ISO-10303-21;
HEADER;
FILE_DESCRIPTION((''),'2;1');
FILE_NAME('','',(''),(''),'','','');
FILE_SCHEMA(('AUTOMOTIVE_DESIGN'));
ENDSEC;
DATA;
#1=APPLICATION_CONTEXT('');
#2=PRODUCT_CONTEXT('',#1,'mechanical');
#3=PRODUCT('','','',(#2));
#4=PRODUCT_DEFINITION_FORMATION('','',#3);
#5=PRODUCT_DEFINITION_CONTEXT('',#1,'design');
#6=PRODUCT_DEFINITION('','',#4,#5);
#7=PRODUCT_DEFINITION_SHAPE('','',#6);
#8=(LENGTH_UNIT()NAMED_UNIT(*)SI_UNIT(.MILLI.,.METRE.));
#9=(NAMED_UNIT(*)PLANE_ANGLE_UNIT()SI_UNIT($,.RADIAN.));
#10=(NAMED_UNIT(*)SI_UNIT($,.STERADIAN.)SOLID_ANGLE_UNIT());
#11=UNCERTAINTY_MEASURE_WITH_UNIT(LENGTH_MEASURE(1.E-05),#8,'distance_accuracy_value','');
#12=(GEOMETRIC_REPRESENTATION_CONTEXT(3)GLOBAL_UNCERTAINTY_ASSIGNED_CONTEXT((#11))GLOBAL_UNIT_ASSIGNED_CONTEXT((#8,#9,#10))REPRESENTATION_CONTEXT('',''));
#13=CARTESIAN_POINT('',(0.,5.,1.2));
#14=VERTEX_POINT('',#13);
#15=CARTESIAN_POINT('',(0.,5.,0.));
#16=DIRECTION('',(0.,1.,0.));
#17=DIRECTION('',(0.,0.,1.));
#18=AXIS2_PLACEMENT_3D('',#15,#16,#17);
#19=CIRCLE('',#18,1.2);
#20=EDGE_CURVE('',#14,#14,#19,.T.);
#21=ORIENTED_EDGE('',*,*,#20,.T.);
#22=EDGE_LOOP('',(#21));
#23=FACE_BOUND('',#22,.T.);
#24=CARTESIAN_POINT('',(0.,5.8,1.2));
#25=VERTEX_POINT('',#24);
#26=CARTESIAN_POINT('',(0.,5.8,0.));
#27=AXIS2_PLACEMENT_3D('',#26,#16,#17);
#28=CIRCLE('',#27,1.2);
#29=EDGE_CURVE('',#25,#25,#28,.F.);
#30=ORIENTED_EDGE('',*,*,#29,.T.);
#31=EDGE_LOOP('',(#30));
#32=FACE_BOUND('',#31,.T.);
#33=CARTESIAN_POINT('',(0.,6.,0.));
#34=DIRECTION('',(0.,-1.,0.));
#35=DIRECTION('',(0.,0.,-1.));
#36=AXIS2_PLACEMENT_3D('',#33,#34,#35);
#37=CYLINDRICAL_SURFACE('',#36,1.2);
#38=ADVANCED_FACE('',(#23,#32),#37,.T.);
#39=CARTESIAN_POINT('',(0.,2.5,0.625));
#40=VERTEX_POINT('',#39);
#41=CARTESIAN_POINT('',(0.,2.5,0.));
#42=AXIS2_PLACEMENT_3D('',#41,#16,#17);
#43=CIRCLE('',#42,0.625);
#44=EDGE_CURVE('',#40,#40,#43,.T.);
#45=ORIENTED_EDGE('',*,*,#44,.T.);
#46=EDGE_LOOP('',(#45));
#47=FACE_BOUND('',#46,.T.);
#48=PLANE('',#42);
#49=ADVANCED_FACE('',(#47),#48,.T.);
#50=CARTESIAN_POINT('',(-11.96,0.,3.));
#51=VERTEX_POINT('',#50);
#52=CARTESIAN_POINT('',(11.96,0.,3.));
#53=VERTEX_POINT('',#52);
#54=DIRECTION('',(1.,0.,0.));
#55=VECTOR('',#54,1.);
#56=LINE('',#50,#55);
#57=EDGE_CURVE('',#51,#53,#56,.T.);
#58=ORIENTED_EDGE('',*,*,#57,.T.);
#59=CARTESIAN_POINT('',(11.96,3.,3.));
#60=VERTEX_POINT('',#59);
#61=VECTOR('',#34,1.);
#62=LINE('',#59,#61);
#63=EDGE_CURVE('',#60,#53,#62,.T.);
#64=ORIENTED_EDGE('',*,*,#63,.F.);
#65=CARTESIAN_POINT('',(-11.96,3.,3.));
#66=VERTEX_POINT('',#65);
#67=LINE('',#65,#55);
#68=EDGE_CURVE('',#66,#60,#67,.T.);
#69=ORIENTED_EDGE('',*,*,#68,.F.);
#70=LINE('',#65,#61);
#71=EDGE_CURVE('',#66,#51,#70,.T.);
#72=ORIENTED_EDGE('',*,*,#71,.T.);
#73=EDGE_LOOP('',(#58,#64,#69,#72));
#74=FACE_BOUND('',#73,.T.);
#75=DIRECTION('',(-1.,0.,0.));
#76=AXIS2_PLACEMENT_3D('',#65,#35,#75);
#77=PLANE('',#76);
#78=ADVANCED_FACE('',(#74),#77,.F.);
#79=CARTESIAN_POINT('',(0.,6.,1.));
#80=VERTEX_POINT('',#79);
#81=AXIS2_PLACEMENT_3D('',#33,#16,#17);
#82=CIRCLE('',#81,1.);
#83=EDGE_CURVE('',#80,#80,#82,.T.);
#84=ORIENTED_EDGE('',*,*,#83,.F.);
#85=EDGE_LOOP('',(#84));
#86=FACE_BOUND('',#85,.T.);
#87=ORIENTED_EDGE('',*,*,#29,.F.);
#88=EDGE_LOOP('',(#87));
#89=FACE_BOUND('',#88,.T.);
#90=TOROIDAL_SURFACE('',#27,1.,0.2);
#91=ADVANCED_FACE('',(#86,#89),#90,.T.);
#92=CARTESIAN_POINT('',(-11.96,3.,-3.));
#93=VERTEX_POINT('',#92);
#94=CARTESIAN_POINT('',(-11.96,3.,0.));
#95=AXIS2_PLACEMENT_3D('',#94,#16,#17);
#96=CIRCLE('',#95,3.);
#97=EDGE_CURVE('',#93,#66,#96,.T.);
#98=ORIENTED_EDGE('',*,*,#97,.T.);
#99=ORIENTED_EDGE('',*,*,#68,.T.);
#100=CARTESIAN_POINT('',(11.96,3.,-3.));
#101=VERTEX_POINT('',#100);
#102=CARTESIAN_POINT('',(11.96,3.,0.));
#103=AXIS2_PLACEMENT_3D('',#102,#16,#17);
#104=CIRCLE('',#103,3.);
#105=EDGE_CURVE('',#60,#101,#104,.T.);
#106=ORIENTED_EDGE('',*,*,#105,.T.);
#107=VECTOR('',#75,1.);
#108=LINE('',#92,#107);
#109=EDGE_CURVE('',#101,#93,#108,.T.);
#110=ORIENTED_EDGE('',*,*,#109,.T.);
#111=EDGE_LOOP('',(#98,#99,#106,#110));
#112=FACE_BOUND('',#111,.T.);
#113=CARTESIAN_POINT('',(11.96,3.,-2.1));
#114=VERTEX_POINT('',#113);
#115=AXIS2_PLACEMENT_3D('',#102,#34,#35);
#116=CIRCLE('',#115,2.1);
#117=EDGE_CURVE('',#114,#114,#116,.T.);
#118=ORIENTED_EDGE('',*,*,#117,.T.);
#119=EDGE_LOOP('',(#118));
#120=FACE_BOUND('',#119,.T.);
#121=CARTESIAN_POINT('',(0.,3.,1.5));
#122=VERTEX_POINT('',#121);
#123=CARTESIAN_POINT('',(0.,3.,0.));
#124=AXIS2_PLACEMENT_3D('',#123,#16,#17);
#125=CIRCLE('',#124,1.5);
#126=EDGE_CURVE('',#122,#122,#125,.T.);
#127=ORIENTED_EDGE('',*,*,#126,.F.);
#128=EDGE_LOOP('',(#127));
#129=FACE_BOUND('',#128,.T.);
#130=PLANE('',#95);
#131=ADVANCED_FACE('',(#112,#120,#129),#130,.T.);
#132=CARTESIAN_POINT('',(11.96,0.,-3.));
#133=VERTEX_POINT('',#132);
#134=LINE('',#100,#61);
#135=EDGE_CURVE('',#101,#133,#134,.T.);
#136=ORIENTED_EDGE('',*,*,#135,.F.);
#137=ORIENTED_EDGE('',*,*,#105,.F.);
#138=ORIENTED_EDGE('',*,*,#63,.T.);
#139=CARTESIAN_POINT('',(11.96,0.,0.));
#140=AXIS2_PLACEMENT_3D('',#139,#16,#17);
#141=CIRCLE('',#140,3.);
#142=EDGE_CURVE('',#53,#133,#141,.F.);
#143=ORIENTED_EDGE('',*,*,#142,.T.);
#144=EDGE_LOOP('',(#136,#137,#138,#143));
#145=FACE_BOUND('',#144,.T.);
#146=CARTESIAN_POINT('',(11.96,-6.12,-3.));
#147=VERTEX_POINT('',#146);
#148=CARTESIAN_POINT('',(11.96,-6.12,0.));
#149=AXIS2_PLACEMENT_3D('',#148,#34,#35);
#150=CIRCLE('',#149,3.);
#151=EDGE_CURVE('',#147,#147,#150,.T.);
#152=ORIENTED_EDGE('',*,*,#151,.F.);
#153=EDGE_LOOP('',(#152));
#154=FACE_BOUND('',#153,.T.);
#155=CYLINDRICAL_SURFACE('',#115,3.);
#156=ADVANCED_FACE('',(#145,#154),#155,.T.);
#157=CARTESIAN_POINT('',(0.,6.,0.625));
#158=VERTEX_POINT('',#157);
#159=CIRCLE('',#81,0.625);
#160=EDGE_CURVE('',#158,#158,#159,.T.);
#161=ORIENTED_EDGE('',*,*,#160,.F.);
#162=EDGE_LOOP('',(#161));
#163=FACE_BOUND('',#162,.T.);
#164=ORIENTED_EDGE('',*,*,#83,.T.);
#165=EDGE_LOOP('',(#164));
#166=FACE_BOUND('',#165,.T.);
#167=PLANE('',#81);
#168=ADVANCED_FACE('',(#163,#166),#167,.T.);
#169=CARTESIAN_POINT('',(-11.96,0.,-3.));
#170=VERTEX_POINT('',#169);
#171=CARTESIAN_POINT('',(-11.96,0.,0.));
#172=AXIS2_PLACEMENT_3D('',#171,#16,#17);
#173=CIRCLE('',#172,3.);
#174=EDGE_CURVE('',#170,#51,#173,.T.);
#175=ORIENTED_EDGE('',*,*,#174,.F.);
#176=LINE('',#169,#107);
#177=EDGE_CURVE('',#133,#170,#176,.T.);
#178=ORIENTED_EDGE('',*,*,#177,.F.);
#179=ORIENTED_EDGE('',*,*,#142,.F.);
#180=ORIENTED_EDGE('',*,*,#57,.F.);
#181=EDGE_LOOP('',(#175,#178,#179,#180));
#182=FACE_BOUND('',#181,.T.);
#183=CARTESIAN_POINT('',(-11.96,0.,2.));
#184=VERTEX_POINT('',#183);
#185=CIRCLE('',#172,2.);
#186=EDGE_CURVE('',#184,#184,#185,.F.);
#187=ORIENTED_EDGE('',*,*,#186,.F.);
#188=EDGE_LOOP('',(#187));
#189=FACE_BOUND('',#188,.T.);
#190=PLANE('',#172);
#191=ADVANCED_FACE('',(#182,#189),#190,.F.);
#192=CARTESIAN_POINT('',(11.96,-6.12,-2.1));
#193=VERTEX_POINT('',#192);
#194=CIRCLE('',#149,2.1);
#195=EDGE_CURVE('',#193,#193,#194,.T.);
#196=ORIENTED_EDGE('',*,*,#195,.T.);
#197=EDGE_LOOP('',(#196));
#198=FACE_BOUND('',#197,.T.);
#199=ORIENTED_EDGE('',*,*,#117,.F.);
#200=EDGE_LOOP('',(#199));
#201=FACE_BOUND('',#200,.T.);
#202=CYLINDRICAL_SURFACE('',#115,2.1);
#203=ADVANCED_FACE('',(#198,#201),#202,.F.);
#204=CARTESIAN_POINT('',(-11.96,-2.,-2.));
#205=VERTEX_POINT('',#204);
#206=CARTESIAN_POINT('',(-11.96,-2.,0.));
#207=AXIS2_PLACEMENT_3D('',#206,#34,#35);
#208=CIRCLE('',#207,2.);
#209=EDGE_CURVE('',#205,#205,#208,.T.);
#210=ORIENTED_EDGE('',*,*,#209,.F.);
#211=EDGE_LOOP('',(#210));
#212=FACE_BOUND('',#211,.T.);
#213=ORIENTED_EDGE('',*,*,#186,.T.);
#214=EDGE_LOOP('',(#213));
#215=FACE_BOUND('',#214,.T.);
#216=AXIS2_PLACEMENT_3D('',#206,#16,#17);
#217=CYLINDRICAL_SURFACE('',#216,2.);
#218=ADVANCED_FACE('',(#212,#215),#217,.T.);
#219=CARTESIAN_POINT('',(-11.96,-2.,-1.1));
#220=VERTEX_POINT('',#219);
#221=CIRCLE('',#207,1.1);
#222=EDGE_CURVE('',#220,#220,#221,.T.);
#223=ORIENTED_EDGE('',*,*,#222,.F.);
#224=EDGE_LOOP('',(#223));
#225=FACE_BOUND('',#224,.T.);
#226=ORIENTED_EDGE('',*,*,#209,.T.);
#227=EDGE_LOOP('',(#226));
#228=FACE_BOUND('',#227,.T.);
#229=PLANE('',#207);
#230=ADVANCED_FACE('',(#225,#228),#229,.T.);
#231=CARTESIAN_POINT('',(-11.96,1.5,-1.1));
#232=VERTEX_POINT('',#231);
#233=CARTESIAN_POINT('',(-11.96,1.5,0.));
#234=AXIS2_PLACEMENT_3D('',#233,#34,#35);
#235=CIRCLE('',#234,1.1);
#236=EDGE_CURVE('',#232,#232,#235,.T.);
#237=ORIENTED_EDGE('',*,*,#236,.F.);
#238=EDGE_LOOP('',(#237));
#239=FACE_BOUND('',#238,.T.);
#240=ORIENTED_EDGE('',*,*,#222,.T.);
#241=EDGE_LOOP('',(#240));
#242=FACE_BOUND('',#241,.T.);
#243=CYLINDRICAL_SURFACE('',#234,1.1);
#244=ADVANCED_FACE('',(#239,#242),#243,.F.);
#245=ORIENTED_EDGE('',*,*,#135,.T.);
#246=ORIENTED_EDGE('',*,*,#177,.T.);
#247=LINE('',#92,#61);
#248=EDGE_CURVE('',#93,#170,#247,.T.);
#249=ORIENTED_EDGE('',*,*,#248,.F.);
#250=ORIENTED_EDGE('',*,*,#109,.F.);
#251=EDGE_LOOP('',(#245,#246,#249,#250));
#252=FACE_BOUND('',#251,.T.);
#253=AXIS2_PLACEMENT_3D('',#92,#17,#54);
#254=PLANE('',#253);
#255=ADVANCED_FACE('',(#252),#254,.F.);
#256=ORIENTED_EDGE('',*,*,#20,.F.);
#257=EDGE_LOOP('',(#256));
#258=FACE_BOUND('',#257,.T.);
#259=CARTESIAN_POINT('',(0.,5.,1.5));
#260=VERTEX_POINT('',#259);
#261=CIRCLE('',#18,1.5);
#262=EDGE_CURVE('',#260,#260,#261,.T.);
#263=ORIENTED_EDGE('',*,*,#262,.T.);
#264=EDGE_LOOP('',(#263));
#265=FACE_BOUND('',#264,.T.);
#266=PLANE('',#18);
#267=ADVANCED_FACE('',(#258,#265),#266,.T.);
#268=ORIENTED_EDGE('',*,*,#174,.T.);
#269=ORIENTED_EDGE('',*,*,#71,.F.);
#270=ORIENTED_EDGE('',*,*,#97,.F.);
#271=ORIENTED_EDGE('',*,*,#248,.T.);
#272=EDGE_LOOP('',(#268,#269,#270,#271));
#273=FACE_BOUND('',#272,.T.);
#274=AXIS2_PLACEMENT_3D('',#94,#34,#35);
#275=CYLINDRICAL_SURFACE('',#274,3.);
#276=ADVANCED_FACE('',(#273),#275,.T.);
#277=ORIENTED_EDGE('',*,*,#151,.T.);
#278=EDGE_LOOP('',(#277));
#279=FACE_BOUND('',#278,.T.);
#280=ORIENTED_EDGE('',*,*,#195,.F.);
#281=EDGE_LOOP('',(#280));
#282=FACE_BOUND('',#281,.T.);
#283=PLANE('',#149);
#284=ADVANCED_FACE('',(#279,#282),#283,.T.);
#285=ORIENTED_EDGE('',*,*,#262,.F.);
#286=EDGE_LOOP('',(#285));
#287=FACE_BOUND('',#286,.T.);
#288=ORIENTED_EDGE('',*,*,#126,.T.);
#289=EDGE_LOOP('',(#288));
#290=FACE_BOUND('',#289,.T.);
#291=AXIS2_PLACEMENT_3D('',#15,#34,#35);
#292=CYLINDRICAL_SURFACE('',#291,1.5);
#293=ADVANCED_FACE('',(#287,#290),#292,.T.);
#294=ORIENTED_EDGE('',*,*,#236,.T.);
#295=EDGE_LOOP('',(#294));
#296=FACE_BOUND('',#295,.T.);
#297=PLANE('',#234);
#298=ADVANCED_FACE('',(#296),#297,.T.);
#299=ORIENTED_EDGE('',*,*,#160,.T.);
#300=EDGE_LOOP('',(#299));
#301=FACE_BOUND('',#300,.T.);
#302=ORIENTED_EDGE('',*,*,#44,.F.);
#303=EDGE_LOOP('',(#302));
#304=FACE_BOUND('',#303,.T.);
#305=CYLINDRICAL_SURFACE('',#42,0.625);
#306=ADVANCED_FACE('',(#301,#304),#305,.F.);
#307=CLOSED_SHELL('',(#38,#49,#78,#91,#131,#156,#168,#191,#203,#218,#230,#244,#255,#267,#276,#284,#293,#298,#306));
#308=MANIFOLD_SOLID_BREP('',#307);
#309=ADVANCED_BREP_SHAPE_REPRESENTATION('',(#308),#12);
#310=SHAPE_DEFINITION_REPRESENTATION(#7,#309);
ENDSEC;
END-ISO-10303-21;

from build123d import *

# Parameters (mm, degrees)
BOSS_EXTRUDE1_DEPTH = 3
SKETCH2_R           = 2
BOSS_EXTRUDE2_DEPTH = 2
SKETCH3_R           = 1.1
CUT_EXTRUDE1_DEPTH  = 3.5
SKETCH4_R           = 3
BOSS_EXTRUDE3_DEPTH = 6.12
SKETCH5_R           = 2.1
CUT_EXTRUDE3_DEPTH  = 9.12
SKETCH7_R           = 1.5
BOSS_EXTRUDE4_DEPTH = 2
SKETCH8_R           = 1.2
BOSS_EXTRUDE5_DEPTH = 1
SKETCH9_R           = 0.625
CUT_EXTRUDE6_DEPTH  = 3.5
FILLET2_R           = 0.2


with BuildPart() as part:
    # Sketch1 → Boss-Extrude1 (new body)
    with BuildSketch(Plane(origin=(0, 0, 0), x_dir=(1, 0, 0), z_dir=(0, 1, 0))):
        with BuildLine():
            Line((-11.96, 3), (11.96, 3))
            ThreePointArc((11.96, 3), (14.96, 0), (11.96, -3))
            Line((11.96, -3), (-11.96, -3))
            ThreePointArc((-11.96, -3), (-14.96, 0), (-11.96, 3))
        make_face()
    extrude(amount=BOSS_EXTRUDE1_DEPTH)

    # Sketch2 → Boss-Extrude2 (add)
    with BuildSketch(Plane.XZ):
        with Locations(Location((-11.96, 0, 0), (0, 0, 90))):
            Circle(SKETCH2_R)
    extrude(amount=BOSS_EXTRUDE2_DEPTH)

    # Sketch3 → Cut-Extrude1 (cut)
    with BuildSketch(Plane.XZ.offset(2)):
        with Locations(Location((-11.96, 0, 0), (0, 0, 270))):
            Circle(SKETCH3_R)
    extrude(amount=-CUT_EXTRUDE1_DEPTH, mode=Mode.SUBTRACT)

    # Sketch4 → Boss-Extrude3 (add)
    with BuildSketch(Plane.XZ):
        with Locations(Location((11.96, 0, 0), (0, 0, 270))):
            Circle(SKETCH4_R)
    extrude(amount=BOSS_EXTRUDE3_DEPTH)

    # Sketch5 → Cut-Extrude3 (cut)
    with BuildSketch(Plane.XZ.offset(6.12)):
        with Locations(Location((11.96, 0, 0), (0, 0, 270))):
            Circle(SKETCH5_R)
    extrude(amount=-CUT_EXTRUDE3_DEPTH, mode=Mode.SUBTRACT)

    # Sketch7 → Boss-Extrude4 (add)
    with BuildSketch(Plane(origin=(0, 3, 0), x_dir=(1, 0, 0), z_dir=(0, 1, 0))):
        with Locations(Location((0, 0, 0), (0, 0, 270))):
            Circle(SKETCH7_R)
    extrude(amount=BOSS_EXTRUDE4_DEPTH)

    # Sketch8 → Boss-Extrude5 (add)
    with BuildSketch(Plane(origin=(0, 5, 0), x_dir=(1, 0, 0), z_dir=(0, 1, 0))):
        with Locations(Location((0, 0, 0), (0, 0, 270))):
            Circle(SKETCH8_R)
    extrude(amount=BOSS_EXTRUDE5_DEPTH)

    # Sketch9 → Cut-Extrude6 (cut)
    with BuildSketch(Plane(origin=(0, 6, 0), x_dir=(1, 0, 0), z_dir=(0, 1, 0))):
        with Locations(Location((0, 0, 0), (0, 0, 270))):
            Circle(SKETCH9_R)
    extrude(amount=-CUT_EXTRUDE6_DEPTH, mode=Mode.SUBTRACT)

    # Fillet2
    fillet2_edges = [part.edges().sort_by_distance(p)[0] for p in [
        (0, 6, -1.2),
    ]]
    fillet(fillet2_edges, radius=FILLET2_R)


solid = part.part
